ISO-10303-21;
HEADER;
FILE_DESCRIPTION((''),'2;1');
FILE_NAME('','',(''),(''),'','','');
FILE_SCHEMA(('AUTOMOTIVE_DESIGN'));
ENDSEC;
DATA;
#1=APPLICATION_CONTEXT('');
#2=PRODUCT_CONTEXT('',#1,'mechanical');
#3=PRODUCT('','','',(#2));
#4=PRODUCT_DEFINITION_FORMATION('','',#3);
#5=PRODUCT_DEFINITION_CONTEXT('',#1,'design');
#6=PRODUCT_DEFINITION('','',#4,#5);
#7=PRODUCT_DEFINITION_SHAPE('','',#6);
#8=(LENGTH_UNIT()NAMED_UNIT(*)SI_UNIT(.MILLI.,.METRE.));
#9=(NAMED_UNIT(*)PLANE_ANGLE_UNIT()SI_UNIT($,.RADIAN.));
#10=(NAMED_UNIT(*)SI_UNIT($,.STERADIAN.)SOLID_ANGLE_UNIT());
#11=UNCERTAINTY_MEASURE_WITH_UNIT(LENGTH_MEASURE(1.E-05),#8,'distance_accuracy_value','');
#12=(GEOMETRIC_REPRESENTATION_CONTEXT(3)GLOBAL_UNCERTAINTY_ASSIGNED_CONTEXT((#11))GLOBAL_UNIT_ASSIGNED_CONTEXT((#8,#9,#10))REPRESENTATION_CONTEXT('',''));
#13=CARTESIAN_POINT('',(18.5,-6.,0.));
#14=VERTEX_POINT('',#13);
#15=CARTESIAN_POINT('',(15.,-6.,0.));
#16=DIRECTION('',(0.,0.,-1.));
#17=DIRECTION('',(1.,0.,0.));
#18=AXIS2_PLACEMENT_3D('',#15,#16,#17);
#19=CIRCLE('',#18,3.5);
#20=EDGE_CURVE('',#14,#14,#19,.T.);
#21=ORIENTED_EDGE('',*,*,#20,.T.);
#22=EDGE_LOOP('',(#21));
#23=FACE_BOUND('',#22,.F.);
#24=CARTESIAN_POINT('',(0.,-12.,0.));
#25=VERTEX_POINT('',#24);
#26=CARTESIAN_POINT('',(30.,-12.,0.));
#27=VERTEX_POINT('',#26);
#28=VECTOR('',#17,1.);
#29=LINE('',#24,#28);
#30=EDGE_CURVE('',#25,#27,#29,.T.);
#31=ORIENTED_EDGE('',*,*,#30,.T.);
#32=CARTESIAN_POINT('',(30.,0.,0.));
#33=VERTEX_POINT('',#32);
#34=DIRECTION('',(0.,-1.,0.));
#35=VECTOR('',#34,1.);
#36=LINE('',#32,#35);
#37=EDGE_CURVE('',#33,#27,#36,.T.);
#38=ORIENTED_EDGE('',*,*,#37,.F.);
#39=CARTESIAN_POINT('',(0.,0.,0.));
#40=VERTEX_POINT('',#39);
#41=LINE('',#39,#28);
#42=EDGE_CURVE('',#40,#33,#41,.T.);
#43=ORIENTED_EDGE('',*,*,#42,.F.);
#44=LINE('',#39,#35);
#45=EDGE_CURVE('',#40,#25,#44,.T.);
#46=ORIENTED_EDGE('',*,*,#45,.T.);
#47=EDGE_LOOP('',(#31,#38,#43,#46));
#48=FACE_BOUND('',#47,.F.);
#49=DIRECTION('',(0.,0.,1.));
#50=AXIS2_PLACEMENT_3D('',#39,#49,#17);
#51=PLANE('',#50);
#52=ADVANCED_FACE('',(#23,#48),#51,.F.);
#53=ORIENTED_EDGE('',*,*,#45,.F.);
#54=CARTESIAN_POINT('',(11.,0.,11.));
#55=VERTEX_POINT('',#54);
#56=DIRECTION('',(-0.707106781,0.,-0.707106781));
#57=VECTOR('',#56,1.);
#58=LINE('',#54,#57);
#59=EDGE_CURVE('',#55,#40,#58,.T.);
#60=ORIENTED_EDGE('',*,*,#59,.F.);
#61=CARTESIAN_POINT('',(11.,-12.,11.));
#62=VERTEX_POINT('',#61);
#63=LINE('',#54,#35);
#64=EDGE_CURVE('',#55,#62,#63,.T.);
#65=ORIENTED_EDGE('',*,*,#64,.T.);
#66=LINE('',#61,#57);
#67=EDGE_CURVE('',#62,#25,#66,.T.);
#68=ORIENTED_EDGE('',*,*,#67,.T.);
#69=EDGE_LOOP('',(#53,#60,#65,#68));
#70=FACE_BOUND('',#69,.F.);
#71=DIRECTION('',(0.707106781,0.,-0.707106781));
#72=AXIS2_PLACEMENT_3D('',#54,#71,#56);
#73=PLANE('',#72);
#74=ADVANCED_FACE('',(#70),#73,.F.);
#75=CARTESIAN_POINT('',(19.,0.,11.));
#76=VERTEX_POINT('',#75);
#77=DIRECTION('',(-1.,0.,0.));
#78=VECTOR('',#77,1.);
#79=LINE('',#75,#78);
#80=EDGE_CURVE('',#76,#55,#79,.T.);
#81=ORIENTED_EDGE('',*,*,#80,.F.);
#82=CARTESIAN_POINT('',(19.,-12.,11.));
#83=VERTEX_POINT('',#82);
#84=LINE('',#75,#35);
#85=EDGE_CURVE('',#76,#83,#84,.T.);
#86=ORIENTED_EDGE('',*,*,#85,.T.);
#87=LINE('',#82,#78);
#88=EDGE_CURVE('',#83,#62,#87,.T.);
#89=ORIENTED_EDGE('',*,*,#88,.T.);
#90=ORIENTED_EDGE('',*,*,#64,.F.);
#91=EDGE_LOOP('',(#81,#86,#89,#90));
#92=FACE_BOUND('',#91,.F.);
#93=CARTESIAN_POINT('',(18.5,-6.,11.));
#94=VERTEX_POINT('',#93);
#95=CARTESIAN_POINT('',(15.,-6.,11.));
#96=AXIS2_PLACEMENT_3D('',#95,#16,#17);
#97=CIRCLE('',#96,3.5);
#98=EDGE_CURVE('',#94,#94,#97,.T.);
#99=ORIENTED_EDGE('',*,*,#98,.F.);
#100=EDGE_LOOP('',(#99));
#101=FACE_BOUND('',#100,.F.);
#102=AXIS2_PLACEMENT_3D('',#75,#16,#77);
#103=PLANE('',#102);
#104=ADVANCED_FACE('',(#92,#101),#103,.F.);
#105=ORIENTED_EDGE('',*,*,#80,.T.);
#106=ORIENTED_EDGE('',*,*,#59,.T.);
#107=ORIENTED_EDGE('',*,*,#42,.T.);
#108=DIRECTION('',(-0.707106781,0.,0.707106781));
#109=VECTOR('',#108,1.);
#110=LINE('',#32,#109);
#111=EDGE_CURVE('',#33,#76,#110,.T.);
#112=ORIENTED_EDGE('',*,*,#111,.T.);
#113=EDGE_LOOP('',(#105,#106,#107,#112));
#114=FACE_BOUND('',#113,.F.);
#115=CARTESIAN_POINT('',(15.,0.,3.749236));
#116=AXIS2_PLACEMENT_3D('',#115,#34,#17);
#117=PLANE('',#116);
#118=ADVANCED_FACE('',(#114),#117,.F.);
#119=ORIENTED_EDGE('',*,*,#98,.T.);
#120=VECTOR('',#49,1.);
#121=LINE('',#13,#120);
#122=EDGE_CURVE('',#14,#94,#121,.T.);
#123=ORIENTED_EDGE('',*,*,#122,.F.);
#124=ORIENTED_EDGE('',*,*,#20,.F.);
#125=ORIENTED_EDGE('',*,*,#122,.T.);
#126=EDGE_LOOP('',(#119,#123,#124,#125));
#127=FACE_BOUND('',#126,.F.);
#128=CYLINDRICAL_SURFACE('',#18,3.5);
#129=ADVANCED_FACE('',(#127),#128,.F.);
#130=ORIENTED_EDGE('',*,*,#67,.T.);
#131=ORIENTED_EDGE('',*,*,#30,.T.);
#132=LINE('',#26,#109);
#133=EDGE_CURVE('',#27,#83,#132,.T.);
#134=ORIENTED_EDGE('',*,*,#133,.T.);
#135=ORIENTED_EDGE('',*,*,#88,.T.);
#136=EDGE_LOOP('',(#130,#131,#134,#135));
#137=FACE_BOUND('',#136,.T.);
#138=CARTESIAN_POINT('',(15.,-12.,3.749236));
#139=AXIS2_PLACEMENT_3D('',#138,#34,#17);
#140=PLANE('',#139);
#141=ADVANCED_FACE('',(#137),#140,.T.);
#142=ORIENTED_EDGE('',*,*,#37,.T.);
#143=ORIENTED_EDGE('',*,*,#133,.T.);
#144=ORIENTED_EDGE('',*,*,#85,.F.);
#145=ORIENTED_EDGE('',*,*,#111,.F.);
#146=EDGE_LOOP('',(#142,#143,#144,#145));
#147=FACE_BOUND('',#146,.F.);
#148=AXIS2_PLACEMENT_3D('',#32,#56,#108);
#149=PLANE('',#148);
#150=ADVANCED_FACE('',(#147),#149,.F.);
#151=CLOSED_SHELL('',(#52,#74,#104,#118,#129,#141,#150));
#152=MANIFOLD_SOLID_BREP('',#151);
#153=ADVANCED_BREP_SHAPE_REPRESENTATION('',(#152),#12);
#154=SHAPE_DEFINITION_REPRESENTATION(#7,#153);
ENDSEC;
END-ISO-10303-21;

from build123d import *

# Parameters (mm, degrees)
F1_DEPTH = 12
F2_R     = 3.5
F3_DEPTH = 11.001


with BuildPart() as f1:
    # F0 (on Front) → F1 (new body)
    with BuildSketch(Plane.XZ):
        Polygon((11, 11), (0, 0), (30, 0), (19, 11), align=None)
    extrude(amount=F1_DEPTH)

    # F2 (on face) → F3 (cut, through all)
    with BuildSketch(Plane(origin=(0, 0, 0), x_dir=(1, 0, 0), z_dir=(0, 0, -1))):
        with Locations((15, 6)):
            Circle(F2_R)
    extrude(amount=-F3_DEPTH, mode=Mode.SUBTRACT)


solid = f1.part
